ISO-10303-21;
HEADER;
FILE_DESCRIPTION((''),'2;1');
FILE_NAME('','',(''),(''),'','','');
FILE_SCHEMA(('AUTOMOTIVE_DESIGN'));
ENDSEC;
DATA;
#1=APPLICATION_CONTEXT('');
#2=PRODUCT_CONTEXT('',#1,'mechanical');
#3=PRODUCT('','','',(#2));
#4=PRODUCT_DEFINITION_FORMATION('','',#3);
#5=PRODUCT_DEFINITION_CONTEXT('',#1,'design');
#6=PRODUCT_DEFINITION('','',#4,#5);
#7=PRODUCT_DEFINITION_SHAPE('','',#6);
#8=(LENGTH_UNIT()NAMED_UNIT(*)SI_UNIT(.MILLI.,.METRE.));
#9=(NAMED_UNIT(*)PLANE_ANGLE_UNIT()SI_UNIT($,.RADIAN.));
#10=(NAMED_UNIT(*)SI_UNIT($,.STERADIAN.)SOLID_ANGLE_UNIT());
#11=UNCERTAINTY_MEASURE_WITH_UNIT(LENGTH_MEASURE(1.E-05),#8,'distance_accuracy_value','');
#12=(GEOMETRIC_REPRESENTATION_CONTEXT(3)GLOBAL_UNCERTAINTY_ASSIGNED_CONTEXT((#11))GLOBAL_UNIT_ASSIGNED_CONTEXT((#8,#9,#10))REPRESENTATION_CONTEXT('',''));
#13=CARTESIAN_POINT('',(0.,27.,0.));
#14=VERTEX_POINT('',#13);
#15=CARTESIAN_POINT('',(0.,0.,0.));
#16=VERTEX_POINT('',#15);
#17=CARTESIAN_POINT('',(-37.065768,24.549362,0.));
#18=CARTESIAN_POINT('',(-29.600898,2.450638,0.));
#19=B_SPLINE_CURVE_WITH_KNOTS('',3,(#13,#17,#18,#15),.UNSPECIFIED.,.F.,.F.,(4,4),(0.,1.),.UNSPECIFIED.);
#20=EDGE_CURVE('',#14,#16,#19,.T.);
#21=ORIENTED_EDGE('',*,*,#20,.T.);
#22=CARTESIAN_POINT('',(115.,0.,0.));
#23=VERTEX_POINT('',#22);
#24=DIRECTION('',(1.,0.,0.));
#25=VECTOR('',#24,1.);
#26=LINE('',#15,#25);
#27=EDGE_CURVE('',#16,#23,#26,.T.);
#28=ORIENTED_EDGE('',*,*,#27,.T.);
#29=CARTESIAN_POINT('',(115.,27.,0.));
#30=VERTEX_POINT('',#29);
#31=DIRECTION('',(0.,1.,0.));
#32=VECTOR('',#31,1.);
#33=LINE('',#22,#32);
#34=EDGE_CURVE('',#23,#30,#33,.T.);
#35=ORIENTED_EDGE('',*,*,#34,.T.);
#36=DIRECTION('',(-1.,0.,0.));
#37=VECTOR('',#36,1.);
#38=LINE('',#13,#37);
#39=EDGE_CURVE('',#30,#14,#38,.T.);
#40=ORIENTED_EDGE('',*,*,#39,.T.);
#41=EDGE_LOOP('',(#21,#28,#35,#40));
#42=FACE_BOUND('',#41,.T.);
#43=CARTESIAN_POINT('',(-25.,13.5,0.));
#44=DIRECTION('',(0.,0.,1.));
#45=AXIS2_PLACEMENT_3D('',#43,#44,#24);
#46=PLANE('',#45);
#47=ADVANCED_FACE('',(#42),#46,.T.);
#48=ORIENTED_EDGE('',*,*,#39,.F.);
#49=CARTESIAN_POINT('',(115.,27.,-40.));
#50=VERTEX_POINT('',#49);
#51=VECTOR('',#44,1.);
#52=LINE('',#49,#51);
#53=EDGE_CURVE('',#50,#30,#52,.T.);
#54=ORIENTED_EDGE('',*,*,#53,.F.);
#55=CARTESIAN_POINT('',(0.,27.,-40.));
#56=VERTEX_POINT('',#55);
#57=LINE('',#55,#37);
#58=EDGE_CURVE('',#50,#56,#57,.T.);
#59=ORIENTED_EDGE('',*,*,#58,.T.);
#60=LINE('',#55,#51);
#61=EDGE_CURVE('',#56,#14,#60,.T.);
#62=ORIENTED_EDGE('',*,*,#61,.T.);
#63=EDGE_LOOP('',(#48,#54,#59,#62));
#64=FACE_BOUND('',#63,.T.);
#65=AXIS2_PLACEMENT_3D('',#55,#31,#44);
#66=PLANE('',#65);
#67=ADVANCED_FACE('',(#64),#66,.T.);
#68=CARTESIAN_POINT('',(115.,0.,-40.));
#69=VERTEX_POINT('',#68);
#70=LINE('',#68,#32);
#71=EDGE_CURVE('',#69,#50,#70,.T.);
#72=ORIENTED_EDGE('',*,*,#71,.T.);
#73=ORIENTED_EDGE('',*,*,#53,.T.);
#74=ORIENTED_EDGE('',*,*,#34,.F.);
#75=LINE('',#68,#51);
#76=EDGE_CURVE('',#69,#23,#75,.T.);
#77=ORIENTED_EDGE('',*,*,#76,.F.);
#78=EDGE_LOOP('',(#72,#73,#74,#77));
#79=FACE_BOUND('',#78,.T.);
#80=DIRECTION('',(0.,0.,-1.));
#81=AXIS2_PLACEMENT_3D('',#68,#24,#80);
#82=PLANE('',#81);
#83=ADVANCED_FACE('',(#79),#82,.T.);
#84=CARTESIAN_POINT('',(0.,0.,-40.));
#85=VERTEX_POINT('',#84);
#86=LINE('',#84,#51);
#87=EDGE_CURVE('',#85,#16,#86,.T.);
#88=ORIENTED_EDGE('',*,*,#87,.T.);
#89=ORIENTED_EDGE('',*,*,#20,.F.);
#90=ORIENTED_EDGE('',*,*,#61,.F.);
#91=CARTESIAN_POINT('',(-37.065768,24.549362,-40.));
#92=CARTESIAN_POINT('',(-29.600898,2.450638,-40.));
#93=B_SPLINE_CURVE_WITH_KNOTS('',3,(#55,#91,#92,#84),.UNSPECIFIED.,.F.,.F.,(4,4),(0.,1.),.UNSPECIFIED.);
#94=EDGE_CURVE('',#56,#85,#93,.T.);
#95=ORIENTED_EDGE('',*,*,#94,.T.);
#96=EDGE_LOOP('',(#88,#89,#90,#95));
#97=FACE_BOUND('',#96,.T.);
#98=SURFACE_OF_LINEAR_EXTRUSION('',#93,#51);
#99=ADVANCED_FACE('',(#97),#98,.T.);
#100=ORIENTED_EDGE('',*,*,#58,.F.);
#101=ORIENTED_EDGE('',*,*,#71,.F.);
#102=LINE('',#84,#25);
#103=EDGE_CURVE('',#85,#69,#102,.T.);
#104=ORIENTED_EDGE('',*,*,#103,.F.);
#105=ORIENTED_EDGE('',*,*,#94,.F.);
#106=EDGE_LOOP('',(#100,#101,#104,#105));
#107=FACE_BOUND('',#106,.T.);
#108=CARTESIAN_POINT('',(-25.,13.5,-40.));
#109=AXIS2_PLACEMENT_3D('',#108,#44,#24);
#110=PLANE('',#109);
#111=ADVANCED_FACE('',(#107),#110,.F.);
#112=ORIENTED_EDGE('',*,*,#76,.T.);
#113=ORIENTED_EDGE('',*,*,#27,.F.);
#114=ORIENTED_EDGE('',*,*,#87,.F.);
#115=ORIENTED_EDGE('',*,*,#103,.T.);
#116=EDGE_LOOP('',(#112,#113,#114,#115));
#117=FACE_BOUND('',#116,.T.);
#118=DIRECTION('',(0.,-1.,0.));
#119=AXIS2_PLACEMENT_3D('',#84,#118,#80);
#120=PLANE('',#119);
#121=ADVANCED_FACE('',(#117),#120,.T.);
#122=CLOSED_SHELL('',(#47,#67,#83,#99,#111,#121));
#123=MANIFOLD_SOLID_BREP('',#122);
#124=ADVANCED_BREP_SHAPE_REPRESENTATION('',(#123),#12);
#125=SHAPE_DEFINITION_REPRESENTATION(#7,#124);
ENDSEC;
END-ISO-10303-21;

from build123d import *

# Parameters (mm, degrees)
BOSS_EXTRUDE1_DEPTH = 40


with BuildPart() as part:
    # Sketch1 → Boss-Extrude1 (new body)
    with BuildSketch(Plane.XY):
        with BuildLine():
            Line((0, 0), (115, 0))
            Line((115, 0), (115, 27))
            Line((115, 27), (0, 27))
            add(Edge.make_bspline(
                [(0, 0), (-29.600898329, 2.450638276), (-37.065768337, 24.549361724), (0, 27)],
                knots=[0, 0, 0, 0, 1, 1, 1, 1], degree=3))
        make_face()
    extrude(amount=-BOSS_EXTRUDE1_DEPTH)


solid = part.part
